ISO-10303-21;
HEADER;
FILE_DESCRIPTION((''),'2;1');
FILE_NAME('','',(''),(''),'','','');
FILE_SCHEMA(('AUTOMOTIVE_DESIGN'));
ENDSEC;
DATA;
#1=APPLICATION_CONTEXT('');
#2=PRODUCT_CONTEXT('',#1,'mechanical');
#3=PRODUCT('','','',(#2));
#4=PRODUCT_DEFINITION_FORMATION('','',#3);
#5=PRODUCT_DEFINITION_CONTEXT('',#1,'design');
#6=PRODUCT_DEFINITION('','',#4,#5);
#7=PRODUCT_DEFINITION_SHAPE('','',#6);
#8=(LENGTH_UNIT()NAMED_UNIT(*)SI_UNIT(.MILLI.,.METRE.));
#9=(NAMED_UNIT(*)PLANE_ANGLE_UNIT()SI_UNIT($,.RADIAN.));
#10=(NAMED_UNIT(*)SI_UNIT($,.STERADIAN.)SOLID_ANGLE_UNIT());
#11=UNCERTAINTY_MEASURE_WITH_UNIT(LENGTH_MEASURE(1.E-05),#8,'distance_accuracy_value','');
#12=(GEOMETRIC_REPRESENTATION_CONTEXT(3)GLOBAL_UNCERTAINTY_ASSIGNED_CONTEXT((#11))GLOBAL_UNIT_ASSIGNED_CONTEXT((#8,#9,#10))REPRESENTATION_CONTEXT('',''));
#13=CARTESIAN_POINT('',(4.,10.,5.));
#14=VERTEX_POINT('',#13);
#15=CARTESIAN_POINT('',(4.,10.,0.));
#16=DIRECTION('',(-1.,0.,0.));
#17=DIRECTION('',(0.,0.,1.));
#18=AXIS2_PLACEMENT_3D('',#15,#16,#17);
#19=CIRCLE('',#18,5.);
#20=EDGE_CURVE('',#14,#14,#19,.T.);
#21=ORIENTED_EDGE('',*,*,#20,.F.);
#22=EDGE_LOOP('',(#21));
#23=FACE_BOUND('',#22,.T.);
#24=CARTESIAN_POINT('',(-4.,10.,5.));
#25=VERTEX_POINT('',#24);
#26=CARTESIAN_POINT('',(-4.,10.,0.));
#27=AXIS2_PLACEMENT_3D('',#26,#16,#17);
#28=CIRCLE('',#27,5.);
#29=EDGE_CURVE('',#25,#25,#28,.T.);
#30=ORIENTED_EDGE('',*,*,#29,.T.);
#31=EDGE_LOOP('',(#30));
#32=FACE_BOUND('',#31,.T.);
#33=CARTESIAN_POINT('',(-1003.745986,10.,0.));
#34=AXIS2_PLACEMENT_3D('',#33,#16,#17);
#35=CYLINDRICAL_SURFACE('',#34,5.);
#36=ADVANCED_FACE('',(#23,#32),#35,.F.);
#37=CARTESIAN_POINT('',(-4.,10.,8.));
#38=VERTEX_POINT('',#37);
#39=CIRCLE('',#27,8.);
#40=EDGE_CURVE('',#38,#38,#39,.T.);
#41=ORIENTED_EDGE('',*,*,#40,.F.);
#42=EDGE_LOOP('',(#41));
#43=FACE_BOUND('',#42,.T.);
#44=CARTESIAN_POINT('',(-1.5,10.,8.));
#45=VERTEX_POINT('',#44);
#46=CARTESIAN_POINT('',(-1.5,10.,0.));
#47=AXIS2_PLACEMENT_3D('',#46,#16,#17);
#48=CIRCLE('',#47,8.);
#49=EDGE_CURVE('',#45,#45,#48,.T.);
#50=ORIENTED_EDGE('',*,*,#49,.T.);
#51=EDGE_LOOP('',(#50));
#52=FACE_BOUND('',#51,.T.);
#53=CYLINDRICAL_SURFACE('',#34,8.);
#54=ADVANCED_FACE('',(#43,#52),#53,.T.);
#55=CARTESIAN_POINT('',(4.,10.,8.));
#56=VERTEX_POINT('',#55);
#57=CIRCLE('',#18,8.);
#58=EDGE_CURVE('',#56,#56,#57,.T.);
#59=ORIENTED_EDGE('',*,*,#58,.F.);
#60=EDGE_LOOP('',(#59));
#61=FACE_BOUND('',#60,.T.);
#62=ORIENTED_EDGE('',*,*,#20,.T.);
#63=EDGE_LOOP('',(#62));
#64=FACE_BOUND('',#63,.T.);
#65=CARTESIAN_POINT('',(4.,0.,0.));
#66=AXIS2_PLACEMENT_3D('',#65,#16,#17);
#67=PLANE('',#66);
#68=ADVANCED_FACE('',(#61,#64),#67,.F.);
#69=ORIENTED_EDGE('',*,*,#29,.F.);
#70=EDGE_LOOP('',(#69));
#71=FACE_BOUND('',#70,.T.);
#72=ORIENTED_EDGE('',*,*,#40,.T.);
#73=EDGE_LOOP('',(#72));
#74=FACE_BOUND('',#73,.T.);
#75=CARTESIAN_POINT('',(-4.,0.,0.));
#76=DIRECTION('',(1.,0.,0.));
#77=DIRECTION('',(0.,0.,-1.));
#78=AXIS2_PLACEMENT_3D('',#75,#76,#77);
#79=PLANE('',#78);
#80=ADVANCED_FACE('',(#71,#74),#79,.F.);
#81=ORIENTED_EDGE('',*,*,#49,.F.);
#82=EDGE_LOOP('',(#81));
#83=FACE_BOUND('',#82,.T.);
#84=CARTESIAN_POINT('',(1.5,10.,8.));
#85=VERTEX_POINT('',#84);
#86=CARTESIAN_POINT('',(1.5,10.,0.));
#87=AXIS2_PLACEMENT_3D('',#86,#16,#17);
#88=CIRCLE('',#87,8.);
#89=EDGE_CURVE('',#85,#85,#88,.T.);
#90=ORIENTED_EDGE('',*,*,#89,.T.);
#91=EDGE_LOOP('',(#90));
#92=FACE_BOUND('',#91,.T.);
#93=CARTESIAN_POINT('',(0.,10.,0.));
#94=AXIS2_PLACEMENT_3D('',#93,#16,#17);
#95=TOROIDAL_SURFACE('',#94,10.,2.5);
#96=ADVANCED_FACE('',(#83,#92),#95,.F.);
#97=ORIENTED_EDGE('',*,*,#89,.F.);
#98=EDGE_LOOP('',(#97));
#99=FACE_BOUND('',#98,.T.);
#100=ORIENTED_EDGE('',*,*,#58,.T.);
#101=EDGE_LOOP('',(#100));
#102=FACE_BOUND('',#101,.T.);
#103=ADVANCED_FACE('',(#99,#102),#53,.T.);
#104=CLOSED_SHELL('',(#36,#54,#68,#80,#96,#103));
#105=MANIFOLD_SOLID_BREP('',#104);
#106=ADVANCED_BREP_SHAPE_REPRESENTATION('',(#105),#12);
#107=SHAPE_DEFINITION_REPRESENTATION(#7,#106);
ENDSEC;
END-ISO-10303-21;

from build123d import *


with BuildPart() as part:
    # Esquisse1 → Révolution1 (revolve)
    with BuildSketch(Plane.XY, mode=Mode.PRIVATE) as r_volution1_sk:
        with BuildLine():
            Line((-1.5, 2), (-4, 2))
            Line((-4, 2), (-4, 5))
            Line((-4, 5), (4, 5))
            Line((4, 5), (4, 2))
            Line((4, 2), (1.5, 2))
            ThreePointArc((1.5, 2), (0, 2.5), (-1.5, 2))
        make_face()
    revolve(r_volution1_sk.sketch.rotate(Axis((-1003.745986035, 10, 0), (1, 0, 0)), 270), axis=Axis((-1003.745986035, 10, 0), (1, 0, 0)))


solid = part.part
